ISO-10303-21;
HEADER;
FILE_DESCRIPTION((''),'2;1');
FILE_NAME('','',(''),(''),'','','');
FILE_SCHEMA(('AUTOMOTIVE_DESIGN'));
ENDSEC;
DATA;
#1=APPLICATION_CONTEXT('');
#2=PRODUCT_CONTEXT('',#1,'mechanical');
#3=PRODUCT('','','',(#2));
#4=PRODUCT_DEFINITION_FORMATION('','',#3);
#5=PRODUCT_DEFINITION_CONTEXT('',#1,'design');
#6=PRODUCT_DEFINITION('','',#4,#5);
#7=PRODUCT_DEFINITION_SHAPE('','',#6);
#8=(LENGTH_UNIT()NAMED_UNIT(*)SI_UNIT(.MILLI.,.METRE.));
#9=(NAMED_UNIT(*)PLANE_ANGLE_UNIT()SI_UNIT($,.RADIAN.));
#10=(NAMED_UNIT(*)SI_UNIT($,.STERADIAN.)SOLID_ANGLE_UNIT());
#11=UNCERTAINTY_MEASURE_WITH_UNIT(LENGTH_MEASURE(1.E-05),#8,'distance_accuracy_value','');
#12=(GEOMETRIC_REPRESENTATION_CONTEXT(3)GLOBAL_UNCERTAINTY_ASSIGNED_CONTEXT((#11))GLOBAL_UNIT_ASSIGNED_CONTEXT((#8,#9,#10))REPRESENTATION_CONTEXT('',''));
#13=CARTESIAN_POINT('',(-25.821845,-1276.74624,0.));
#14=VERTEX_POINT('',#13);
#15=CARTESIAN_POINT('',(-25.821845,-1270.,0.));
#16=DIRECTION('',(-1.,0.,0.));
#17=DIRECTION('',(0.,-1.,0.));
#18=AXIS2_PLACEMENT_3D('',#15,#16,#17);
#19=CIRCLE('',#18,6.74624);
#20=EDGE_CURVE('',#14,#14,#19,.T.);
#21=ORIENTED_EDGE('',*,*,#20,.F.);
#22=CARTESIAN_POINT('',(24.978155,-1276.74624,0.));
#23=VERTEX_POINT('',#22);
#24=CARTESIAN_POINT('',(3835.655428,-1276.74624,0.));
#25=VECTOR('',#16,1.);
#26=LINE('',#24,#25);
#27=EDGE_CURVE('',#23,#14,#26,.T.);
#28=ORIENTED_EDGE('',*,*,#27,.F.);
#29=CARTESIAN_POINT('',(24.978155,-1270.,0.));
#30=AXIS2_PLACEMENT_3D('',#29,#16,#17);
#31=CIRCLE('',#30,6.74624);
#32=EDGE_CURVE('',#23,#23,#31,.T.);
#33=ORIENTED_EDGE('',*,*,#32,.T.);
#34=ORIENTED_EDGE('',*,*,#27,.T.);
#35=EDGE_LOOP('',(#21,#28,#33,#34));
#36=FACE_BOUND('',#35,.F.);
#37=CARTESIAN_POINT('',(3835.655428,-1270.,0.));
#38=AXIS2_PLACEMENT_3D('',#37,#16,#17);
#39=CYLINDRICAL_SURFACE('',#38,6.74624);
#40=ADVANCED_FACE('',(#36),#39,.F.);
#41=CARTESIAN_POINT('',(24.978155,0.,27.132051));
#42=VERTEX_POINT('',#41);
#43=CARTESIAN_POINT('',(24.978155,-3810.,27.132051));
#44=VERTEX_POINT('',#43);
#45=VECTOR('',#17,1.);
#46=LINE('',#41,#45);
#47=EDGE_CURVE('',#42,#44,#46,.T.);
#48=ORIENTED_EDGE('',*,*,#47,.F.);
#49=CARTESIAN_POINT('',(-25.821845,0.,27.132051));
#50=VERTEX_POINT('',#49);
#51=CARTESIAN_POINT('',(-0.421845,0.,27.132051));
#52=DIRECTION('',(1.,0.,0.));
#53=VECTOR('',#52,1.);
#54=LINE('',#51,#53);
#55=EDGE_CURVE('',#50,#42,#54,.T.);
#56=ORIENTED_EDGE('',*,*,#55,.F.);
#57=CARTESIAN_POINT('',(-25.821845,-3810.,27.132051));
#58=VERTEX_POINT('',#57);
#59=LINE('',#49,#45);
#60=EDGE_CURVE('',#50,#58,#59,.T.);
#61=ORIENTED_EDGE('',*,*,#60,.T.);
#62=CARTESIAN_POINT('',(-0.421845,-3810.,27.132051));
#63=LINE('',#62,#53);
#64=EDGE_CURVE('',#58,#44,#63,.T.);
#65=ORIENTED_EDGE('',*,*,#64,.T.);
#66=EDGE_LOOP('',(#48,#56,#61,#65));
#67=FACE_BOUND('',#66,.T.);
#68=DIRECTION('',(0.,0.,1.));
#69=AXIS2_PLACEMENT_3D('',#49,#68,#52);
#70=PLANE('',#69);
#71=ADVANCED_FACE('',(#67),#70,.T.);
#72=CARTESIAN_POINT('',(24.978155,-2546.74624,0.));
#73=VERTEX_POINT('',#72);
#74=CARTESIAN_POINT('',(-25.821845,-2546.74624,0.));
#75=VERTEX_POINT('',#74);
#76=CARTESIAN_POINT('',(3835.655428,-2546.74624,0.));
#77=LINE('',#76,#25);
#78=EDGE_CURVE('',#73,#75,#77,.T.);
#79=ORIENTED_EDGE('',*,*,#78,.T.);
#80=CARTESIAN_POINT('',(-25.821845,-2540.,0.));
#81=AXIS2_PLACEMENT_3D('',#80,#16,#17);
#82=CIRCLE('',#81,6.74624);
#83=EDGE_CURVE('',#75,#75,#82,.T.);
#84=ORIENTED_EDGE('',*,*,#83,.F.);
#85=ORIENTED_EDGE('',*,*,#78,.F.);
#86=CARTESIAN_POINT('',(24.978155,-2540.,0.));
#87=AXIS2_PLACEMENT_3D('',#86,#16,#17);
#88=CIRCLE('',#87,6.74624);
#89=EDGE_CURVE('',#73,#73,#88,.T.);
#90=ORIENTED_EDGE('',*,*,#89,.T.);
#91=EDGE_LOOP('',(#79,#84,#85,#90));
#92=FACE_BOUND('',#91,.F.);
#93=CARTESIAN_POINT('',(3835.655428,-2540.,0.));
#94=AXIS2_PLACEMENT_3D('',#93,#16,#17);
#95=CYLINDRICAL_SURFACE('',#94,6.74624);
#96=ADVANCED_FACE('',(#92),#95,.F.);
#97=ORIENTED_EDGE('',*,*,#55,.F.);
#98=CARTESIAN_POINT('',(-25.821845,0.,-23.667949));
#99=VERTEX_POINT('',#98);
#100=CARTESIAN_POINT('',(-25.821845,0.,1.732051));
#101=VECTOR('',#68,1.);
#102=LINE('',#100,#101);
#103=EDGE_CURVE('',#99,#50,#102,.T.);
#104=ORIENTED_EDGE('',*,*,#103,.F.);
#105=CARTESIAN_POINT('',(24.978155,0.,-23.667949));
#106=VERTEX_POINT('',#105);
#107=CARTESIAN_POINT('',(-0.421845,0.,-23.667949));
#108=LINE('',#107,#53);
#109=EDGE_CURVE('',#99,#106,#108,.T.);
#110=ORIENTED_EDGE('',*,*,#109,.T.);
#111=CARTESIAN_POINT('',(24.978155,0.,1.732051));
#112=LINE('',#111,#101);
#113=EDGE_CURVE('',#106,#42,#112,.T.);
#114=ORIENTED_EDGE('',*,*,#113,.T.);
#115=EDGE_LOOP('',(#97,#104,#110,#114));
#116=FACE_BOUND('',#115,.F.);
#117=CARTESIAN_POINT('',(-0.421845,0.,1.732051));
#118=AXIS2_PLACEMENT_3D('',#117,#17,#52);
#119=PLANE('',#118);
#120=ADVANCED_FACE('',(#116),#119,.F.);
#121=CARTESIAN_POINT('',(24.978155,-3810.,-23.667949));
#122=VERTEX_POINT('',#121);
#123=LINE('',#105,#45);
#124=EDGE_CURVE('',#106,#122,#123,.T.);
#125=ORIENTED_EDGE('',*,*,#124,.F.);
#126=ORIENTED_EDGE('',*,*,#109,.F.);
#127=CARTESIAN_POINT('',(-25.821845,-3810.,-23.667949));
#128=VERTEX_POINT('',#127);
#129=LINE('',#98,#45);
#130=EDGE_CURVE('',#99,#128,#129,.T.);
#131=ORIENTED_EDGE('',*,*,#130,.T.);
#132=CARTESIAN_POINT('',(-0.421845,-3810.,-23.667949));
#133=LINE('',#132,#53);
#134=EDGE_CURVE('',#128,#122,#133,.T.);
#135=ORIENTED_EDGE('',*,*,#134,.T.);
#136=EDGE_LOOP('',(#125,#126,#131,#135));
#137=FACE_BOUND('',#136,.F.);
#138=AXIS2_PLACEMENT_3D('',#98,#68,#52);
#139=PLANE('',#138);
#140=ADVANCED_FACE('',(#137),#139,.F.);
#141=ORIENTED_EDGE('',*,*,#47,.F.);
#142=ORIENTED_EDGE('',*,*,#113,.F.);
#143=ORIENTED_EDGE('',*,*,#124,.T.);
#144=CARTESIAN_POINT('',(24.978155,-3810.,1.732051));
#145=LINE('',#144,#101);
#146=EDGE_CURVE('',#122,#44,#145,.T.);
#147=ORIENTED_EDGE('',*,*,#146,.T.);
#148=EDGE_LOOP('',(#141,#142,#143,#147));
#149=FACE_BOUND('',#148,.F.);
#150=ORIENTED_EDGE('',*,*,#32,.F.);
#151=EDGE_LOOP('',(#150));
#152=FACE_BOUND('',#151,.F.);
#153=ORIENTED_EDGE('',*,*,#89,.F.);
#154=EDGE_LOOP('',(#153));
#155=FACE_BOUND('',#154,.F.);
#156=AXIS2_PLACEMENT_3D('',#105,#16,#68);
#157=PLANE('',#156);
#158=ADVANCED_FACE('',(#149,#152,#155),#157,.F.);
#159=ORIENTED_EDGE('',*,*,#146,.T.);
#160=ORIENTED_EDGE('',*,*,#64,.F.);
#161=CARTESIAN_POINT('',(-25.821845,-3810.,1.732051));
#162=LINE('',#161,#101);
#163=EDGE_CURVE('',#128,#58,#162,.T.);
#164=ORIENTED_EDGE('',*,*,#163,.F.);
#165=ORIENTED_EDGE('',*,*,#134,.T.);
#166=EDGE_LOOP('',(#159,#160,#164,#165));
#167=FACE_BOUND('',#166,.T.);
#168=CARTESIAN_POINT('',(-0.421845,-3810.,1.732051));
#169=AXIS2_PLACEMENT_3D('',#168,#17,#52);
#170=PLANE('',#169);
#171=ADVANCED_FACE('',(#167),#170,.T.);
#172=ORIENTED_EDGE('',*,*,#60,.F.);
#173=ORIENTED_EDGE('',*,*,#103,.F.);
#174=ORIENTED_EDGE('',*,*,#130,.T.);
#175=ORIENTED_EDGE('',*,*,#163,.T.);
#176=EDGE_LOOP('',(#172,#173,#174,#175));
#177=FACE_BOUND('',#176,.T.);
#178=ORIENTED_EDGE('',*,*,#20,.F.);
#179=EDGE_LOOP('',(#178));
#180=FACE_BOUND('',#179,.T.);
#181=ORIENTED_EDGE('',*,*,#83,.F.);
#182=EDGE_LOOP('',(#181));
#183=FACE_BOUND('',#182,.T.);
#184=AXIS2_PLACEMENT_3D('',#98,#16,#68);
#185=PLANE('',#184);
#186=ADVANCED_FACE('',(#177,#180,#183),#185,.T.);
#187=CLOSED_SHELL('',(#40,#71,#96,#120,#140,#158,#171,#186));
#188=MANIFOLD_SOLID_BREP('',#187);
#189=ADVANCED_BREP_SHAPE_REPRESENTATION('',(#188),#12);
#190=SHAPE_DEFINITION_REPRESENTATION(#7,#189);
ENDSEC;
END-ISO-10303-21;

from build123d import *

# Parameters (mm, degrees)
F0_W     = 50.8
F0_H     = 50.8
F1_DEPTH = 3810
F3_D     = 13.49248


with BuildPart() as f1:
    # F0 (on Front) → F1 (new body)
    with BuildSketch(Plane.XZ):
        with Locations((-0.4218453541, 1.7320510649)):
            Rectangle(F0_W, F0_H)
    extrude(amount=F1_DEPTH)

    # F3 (through all)
    with Locations(Plane.YZ.offset(24.9781546459)):
        with Locations((-1270, 0), (-2540, 0)):
            Hole(F3_D / 2)


solid = f1.part
